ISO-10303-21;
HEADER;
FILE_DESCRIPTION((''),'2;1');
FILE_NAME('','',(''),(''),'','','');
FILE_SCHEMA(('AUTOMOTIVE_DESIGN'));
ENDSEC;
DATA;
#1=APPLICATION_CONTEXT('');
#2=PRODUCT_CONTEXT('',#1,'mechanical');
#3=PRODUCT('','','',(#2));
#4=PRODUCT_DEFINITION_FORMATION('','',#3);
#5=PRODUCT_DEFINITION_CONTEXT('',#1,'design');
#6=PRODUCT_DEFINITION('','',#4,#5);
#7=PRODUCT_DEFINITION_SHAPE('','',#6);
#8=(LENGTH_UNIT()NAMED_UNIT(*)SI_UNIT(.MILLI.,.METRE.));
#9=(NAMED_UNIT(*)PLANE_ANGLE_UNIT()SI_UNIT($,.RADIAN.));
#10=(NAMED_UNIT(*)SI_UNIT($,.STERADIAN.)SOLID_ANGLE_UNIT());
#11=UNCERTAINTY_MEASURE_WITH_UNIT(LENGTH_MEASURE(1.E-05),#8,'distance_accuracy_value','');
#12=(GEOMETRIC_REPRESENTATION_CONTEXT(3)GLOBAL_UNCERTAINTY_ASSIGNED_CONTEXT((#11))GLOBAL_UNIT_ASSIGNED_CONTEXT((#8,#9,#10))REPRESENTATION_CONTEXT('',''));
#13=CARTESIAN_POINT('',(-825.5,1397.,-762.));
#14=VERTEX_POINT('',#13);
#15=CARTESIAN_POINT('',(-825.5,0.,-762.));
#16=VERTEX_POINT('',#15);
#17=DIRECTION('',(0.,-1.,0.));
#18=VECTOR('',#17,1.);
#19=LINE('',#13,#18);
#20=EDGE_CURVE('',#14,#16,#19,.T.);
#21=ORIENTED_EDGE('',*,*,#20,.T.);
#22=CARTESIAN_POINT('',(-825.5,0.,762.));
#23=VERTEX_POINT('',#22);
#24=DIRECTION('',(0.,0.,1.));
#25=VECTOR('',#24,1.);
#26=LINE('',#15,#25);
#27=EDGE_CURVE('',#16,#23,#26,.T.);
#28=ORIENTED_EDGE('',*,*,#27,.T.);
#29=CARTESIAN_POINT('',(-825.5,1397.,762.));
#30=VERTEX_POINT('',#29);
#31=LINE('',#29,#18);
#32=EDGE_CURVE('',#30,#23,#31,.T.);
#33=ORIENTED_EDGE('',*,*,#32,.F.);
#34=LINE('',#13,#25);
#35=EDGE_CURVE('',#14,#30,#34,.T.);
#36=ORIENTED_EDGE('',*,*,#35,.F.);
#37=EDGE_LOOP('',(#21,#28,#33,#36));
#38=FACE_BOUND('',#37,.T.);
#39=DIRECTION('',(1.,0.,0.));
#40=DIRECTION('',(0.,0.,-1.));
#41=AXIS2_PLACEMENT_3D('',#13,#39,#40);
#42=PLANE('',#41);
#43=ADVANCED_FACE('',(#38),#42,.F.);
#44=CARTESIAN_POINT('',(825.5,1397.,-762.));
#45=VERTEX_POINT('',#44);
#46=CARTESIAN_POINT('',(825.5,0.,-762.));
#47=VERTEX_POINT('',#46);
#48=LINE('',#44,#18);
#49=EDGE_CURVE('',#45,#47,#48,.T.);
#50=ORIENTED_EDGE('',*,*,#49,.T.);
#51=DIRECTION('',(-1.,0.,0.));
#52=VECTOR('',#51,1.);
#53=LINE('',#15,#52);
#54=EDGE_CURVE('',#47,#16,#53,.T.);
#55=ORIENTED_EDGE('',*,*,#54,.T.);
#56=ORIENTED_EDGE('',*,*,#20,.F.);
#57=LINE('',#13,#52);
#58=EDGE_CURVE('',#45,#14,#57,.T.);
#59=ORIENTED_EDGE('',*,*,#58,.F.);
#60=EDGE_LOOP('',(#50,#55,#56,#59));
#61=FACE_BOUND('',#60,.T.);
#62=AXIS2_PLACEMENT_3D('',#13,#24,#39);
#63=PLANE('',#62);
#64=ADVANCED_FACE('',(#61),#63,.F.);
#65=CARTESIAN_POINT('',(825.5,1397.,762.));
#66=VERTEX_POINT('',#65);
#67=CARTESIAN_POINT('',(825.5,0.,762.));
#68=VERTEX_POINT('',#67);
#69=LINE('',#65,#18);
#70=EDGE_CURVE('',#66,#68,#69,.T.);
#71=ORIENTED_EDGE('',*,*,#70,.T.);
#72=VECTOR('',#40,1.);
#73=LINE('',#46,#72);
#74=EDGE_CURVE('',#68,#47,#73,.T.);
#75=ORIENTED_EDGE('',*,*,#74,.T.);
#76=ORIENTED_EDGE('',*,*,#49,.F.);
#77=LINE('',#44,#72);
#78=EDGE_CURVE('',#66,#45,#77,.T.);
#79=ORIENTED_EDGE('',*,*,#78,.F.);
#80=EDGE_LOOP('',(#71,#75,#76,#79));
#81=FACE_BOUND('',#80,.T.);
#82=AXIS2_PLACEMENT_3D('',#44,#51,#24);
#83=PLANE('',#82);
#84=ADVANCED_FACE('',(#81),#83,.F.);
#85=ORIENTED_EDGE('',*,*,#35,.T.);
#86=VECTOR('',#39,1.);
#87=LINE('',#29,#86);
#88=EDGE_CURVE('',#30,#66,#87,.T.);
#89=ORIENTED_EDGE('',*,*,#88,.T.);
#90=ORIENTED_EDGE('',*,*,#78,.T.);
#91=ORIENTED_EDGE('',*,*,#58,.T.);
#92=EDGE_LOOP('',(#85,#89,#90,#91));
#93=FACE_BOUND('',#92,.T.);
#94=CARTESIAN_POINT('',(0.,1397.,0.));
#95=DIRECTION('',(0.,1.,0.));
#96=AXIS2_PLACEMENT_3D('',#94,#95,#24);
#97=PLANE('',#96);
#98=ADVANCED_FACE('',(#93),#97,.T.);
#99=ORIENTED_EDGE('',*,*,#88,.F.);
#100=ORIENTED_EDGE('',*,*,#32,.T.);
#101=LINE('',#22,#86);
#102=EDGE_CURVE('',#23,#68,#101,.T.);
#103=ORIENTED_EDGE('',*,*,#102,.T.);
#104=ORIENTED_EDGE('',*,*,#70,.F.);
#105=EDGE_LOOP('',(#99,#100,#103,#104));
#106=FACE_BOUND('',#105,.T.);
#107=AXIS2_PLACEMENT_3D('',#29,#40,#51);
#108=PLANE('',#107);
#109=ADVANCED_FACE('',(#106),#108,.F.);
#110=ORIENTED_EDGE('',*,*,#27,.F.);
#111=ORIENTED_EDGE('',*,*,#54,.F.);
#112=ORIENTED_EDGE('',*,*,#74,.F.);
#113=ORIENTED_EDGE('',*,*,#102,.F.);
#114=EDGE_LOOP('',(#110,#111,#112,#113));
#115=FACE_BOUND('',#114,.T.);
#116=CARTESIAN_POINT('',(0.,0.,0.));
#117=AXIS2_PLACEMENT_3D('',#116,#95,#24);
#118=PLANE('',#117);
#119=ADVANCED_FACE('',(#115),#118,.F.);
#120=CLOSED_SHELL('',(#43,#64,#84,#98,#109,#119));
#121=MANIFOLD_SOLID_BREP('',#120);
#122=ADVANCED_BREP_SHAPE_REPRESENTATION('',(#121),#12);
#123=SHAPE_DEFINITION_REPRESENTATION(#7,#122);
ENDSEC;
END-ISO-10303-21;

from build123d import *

# Parameters (mm, degrees)
SKETCH1_W           = 1651
SKETCH1_H           = 1524
BOSS_EXTRUDE1_DEPTH = 1397


with BuildPart() as part:
    # Sketch1 → Boss-Extrude1 (new body)
    with BuildSketch(Plane(origin=(0, 0, 0), x_dir=(1, 0, 0), z_dir=(0, 1, 0))):
        Rectangle(SKETCH1_W, SKETCH1_H)
    extrude(amount=BOSS_EXTRUDE1_DEPTH)


solid = part.part
